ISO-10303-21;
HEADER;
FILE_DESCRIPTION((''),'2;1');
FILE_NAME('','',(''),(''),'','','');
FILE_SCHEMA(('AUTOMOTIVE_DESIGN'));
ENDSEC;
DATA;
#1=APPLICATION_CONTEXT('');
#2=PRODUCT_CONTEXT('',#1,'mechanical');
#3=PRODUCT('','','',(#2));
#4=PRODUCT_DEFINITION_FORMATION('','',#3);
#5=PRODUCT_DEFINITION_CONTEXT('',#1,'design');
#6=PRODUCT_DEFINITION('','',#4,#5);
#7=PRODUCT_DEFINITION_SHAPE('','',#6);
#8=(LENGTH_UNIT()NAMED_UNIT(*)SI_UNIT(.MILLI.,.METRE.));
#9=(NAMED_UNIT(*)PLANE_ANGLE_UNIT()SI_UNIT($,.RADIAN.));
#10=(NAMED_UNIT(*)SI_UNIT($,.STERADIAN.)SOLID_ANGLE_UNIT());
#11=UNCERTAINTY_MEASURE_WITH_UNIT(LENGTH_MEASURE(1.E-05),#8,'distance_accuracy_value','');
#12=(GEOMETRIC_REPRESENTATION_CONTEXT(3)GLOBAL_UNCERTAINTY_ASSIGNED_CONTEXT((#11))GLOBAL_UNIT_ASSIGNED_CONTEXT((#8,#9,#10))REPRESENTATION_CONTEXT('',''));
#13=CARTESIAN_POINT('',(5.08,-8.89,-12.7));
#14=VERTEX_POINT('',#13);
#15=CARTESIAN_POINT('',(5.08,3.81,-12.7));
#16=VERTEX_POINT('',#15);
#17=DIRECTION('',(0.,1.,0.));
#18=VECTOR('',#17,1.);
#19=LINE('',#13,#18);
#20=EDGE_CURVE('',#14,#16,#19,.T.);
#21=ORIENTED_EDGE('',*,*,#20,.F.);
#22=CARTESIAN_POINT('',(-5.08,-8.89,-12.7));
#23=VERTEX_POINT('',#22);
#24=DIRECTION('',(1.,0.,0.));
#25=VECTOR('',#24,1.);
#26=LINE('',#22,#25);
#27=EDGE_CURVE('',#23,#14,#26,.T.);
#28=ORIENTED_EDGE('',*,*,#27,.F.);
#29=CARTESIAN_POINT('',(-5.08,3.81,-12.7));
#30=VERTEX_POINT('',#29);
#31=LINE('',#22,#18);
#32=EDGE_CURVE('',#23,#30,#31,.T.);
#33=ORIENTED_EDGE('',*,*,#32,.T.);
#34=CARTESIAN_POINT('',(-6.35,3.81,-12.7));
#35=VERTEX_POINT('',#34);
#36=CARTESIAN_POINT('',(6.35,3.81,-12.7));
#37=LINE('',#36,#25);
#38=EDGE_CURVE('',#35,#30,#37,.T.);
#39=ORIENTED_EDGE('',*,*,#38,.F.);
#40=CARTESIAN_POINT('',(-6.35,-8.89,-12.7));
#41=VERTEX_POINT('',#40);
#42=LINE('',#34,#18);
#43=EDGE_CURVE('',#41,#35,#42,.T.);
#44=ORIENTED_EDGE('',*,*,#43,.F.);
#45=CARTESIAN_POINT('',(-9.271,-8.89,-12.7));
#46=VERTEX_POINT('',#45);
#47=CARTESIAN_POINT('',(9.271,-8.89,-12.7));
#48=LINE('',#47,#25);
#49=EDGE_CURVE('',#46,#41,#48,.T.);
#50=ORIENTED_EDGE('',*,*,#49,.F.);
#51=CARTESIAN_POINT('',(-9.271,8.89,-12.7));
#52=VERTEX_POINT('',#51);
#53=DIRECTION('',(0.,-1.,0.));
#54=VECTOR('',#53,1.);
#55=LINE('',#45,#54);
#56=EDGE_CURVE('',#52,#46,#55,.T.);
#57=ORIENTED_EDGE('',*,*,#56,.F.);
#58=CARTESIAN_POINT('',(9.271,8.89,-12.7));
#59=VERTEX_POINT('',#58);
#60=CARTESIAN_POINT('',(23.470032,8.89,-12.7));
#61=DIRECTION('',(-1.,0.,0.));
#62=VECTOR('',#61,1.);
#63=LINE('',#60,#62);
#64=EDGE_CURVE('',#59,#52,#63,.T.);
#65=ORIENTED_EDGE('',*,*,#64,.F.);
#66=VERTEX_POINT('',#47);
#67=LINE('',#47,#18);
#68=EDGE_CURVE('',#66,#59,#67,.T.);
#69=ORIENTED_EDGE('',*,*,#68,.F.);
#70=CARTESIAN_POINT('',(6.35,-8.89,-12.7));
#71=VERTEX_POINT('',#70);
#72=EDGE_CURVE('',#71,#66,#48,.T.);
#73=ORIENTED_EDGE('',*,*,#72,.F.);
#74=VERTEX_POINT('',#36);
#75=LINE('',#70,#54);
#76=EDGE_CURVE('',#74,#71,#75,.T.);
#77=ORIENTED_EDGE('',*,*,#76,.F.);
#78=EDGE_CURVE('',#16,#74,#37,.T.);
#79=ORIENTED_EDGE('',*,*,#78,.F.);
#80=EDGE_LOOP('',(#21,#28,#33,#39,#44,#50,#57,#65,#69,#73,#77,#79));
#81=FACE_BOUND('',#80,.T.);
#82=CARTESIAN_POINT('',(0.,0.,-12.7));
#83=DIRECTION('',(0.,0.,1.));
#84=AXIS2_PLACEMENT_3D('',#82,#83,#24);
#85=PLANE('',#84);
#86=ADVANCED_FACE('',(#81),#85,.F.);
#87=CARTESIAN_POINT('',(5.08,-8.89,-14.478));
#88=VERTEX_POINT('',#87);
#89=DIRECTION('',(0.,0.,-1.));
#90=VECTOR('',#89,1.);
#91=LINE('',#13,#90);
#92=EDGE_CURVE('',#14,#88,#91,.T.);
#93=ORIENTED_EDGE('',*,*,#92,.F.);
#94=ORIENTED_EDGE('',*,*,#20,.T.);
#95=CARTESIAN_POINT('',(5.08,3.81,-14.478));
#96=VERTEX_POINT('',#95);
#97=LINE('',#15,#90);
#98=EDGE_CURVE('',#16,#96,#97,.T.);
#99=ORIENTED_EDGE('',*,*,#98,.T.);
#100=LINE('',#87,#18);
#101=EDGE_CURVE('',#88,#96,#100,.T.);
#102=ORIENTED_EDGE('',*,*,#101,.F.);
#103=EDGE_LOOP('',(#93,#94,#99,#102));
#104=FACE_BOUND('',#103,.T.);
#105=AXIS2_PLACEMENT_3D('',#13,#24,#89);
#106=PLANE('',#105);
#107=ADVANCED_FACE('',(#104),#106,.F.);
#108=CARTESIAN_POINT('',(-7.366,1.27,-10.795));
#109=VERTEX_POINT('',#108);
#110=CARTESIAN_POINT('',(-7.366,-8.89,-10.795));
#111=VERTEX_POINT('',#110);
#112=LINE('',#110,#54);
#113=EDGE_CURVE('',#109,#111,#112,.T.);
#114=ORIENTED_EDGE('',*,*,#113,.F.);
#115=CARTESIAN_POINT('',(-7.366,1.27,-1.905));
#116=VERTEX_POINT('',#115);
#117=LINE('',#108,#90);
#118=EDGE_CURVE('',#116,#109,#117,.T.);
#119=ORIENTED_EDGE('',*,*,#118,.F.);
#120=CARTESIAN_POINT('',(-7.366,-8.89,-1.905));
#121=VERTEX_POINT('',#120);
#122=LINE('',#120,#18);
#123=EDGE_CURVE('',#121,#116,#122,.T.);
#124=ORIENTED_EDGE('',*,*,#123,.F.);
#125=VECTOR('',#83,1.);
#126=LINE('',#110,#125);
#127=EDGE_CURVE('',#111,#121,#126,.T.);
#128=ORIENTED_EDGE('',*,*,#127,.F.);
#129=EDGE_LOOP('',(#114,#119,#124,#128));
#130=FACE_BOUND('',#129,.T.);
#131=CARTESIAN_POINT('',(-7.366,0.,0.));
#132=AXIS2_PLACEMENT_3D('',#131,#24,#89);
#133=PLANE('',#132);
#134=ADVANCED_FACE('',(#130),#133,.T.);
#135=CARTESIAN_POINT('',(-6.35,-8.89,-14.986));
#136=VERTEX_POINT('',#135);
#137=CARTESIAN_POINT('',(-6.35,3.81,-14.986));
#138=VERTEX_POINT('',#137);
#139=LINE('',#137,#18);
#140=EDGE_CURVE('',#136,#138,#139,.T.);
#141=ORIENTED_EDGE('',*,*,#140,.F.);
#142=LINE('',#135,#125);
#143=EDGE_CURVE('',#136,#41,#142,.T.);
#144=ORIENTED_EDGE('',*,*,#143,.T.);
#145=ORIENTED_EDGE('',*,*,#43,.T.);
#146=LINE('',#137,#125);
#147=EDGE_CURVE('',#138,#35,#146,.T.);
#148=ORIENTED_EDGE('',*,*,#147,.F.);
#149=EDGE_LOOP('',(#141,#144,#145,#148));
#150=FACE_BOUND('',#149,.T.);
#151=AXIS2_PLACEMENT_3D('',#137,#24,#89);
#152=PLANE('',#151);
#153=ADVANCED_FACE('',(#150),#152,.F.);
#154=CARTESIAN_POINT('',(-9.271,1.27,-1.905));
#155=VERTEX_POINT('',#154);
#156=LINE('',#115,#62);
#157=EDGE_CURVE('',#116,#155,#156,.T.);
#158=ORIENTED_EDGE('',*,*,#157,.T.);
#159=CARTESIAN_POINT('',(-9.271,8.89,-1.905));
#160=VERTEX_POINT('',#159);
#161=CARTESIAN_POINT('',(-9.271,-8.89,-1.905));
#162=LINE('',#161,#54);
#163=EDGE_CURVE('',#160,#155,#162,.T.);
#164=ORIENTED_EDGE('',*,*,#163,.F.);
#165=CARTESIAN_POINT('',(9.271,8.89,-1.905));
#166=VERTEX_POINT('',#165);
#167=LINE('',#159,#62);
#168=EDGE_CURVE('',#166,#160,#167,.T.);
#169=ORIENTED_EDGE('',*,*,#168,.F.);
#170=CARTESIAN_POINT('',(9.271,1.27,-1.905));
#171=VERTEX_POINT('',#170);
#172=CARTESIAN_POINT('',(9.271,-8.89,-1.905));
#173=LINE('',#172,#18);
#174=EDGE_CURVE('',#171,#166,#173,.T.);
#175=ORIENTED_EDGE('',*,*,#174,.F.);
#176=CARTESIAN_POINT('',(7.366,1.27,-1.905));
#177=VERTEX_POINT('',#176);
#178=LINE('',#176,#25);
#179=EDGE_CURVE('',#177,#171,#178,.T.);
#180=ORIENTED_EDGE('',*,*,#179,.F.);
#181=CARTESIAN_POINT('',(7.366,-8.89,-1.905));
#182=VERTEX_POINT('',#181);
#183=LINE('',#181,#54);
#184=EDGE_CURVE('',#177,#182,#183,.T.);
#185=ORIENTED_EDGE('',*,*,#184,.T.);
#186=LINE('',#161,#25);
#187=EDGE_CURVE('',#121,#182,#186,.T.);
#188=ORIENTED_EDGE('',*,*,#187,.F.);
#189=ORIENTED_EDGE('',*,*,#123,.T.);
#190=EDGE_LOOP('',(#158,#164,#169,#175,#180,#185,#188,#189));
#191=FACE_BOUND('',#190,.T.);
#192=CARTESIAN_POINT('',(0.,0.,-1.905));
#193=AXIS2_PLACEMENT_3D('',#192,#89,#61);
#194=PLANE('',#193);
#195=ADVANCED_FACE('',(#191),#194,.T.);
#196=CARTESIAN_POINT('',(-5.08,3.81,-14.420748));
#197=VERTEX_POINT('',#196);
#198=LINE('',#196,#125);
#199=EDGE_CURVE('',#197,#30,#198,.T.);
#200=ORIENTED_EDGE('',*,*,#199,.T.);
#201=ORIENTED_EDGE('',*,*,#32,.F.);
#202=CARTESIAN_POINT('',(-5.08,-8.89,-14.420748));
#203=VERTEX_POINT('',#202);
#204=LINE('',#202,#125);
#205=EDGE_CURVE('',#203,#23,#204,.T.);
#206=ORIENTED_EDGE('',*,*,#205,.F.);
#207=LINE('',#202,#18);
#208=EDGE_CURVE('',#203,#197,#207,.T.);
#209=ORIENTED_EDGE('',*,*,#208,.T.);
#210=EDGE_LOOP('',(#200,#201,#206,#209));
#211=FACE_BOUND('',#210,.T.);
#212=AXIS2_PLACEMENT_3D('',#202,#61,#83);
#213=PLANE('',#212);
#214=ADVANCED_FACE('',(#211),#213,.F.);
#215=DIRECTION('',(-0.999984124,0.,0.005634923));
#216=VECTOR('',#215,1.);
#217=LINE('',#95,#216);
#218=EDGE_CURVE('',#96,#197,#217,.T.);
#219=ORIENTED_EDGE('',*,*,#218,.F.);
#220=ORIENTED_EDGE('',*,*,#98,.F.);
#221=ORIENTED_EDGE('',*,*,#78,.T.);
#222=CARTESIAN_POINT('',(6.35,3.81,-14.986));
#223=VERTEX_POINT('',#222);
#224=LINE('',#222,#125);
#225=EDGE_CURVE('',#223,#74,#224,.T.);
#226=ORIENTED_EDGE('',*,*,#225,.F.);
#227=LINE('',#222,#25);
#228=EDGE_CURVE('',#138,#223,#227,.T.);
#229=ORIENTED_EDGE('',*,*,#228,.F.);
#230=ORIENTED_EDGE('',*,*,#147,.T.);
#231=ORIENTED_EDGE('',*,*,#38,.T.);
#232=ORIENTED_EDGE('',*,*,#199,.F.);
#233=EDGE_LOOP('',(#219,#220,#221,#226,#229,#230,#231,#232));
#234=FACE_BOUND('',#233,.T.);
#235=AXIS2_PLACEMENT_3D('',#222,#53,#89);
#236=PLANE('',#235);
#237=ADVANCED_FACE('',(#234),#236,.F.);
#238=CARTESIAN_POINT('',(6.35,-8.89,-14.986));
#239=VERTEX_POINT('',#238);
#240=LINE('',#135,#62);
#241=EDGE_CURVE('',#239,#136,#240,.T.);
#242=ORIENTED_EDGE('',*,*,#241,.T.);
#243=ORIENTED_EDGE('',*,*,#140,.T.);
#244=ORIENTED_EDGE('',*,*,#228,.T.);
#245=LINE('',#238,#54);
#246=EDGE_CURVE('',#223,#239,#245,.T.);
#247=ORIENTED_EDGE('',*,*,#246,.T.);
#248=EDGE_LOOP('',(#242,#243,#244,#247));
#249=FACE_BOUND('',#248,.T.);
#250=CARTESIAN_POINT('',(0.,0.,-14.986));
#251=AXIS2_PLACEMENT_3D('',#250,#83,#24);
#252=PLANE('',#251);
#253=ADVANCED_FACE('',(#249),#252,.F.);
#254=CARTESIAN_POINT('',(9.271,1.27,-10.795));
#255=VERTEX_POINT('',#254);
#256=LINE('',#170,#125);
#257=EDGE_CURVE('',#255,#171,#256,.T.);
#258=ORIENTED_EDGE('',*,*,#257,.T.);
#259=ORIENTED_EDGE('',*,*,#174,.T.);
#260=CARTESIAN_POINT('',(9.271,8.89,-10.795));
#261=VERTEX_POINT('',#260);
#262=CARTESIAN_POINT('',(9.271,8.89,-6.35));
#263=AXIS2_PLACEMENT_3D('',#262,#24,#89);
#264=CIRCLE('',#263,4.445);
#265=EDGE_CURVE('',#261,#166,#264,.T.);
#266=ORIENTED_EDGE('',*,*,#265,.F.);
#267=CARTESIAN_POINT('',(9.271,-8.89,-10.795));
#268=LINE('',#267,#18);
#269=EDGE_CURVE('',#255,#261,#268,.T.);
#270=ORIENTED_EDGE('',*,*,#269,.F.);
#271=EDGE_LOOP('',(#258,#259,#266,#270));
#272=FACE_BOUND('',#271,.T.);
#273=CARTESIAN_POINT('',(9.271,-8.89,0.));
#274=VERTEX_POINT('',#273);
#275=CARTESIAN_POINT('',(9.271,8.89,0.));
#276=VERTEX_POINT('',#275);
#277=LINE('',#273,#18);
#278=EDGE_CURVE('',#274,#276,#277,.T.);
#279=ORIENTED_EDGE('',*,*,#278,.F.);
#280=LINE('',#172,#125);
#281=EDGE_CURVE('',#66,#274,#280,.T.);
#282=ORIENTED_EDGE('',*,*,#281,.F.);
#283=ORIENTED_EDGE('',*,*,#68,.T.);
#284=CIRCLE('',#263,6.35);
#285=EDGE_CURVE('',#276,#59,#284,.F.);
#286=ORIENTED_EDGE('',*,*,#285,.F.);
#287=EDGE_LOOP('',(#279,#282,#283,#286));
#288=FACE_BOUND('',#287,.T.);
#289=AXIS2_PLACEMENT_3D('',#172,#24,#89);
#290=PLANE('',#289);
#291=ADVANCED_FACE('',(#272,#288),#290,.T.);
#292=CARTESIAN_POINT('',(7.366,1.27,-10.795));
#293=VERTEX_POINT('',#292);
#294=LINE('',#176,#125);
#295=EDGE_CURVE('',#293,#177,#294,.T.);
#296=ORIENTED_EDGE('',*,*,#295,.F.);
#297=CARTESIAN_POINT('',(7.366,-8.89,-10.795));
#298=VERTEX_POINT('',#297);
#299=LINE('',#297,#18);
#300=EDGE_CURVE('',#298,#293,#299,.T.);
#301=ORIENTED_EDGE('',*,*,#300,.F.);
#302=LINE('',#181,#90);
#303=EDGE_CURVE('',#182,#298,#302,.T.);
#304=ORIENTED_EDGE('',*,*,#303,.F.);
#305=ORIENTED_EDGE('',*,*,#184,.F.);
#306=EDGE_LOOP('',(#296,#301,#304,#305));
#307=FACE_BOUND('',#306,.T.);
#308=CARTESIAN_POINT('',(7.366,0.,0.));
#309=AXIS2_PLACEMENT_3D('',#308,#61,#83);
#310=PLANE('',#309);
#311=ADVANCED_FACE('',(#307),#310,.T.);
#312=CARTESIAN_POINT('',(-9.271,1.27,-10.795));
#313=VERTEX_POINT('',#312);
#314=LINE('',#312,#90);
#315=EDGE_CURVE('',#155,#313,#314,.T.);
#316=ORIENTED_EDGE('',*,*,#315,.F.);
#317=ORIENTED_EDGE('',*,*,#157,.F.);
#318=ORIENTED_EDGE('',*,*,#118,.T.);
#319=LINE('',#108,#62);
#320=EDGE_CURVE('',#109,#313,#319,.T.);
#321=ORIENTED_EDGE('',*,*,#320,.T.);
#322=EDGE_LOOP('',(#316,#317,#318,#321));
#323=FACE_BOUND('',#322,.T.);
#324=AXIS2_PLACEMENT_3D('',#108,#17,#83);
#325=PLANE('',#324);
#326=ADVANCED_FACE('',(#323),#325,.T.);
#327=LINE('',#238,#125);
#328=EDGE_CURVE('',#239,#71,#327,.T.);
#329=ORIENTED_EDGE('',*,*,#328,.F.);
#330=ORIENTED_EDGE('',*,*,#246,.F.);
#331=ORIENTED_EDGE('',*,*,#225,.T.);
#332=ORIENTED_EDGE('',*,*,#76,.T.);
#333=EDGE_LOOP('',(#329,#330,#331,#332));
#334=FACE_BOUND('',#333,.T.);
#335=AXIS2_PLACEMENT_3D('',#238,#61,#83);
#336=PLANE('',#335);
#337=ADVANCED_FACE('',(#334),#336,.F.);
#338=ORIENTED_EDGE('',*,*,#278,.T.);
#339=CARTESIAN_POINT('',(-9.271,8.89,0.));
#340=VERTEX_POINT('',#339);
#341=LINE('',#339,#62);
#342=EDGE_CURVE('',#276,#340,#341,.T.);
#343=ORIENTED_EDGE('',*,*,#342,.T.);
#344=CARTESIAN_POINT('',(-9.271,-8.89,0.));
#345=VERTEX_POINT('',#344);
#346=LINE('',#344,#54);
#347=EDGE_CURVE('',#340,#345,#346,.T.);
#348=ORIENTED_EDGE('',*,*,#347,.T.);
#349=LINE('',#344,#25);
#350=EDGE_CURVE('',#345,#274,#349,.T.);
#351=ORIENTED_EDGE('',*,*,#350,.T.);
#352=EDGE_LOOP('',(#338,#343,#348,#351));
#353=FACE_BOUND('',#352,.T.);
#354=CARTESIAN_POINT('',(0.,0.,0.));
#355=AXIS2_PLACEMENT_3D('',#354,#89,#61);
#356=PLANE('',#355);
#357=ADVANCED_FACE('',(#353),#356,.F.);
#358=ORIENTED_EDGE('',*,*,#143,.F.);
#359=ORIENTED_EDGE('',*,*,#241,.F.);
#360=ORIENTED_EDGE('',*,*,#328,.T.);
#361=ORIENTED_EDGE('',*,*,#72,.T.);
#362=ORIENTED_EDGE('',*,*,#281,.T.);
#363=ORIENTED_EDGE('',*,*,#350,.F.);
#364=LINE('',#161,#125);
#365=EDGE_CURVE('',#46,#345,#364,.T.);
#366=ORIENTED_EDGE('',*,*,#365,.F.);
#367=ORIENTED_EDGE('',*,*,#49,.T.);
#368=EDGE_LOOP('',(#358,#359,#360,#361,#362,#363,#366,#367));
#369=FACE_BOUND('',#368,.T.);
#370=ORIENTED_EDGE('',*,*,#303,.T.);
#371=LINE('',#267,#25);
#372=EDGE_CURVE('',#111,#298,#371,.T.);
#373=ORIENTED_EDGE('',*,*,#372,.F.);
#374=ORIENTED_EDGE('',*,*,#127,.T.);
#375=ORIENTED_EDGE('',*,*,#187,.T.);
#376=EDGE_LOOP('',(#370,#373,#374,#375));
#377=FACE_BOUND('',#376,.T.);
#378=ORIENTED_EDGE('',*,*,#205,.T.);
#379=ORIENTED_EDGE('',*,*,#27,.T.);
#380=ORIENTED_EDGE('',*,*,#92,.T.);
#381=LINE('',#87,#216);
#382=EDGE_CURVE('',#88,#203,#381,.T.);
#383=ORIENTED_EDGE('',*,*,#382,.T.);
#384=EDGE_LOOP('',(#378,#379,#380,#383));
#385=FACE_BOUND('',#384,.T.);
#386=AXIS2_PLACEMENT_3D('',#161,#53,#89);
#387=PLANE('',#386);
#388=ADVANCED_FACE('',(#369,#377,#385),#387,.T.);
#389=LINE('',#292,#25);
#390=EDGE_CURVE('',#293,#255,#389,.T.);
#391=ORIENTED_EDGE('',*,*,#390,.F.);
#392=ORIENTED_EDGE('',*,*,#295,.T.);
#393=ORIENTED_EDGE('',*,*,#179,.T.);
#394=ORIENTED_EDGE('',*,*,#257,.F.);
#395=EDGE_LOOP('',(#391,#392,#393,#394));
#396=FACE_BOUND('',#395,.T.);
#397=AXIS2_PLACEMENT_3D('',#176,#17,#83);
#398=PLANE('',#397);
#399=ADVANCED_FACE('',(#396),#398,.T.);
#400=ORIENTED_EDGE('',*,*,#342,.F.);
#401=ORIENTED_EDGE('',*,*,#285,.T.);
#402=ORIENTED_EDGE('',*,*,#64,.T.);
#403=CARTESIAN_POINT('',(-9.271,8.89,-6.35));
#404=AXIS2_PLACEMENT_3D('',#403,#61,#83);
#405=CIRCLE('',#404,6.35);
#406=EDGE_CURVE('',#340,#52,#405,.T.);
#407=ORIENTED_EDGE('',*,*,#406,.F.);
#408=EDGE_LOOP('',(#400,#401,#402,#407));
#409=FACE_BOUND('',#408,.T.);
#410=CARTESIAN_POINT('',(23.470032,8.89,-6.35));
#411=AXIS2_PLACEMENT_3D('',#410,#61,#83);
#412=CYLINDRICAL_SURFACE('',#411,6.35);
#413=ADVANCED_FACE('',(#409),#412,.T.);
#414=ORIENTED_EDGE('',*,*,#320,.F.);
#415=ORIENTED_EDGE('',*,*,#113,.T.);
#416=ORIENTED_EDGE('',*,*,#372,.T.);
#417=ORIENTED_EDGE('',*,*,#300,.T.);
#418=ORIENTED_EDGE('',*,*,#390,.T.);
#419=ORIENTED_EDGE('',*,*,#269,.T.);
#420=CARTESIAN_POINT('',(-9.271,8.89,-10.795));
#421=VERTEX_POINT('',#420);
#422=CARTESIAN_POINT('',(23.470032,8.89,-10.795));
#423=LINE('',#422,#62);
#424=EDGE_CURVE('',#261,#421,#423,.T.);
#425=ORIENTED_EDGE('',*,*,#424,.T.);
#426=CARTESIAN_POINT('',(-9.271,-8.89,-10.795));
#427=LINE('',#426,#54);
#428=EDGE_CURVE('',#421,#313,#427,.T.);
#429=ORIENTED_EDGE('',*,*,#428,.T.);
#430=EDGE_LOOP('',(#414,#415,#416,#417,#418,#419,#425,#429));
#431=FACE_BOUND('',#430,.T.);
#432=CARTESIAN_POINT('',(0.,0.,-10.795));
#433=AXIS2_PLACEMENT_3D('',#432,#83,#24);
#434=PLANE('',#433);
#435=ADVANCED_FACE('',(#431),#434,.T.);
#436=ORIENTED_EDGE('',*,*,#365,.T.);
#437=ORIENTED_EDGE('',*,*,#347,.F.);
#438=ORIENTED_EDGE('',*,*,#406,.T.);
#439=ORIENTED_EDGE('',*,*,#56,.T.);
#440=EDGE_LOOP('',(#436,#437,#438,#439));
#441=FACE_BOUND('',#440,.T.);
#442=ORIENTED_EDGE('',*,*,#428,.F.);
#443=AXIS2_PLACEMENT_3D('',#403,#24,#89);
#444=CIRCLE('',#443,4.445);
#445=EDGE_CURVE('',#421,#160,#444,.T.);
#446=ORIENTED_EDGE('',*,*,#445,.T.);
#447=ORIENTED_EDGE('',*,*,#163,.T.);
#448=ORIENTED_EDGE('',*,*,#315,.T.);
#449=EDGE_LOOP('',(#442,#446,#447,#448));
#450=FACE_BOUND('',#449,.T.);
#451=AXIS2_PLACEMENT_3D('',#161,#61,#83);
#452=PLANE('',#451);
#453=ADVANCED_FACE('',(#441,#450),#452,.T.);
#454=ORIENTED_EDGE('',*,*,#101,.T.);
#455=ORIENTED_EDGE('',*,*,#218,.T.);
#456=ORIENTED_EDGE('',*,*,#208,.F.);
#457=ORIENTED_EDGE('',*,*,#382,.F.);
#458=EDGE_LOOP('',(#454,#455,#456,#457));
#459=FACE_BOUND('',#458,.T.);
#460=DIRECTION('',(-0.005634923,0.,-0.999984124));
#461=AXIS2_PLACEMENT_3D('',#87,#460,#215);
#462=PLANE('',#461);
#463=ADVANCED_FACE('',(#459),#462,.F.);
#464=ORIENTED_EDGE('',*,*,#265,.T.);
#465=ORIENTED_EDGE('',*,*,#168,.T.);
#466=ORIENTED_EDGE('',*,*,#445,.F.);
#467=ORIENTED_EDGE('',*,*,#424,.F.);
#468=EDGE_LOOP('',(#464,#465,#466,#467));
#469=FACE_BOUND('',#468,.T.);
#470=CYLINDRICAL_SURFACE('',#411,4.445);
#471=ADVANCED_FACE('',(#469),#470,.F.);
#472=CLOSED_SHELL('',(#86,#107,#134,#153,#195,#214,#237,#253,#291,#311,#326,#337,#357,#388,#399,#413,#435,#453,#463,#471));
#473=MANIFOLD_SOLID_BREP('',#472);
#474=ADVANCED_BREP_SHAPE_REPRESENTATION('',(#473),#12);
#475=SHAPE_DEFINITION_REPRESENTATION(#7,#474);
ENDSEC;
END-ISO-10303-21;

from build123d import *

# Parameters (mm, degrees)
SKETCH1_W            = 18.542
SKETCH1_H            = 17.78
BOSS_EXTRUDE4_DEPTH  = 1.905
SKETCH4_W            = 18.542
SKETCH4_H            = 17.78
BOSS_EXTRUDE5_DEPTH  = 1.905
BOSS_EXTRUDE6_DEPTH  = 18.542
SKETCH7_W            = 8.89
SKETCH7_H            = 10.16
BOSS_EXTRUDE7_DEPTH  = 1.905
SKETCH8_W            = 8.89
SKETCH8_H            = 10.16
BOSS_EXTRUDE8_DEPTH  = 1.905
SKETCH12_W           = 12.7
SKETCH12_H           = 12.7
BOSS_EXTRUDE11_DEPTH = 2.286
CUT_EXTRUDE2_DEPTH   = 22.721455683


with BuildPart() as part:
    # Sketch1 → Boss-Extrude4 (new body)
    with BuildSketch(Plane.XY):
        Rectangle(SKETCH1_W, SKETCH1_H)
    extrude(amount=-BOSS_EXTRUDE4_DEPTH)



with BuildPart() as body_2:
    # Sketch4 → Boss-Extrude5 (new body)
    with BuildSketch(Plane.XY.offset(-12.7)):
        Rectangle(SKETCH4_W, SKETCH4_H)
    extrude(amount=BOSS_EXTRUDE5_DEPTH)


with BuildPart() as part_1:
    add(part.part)

    add(body_2.part)  # Boss-Extrude6 merges body 2
    # Sketch6 → Boss-Extrude6 (add)
    with BuildSketch(Plane.ZY.offset(9.271)):
        with BuildLine():
            Line((-12.7, 8.89), (-10.795, 8.89))
            ThreePointArc((-10.795, 8.89), (-6.35, 13.335), (-1.905, 8.89))
            Line((-1.905, 8.89), (0, 8.89))
            ThreePointArc((0, 8.89), (-6.35, 15.24), (-12.7, 8.89))
        make_face()
    extrude(amount=-BOSS_EXTRUDE6_DEPTH)

    # Sketch7 → Boss-Extrude7 (add)
    with BuildSketch(Plane.ZY.offset(9.271)):
        with Locations((-6.35, -3.81)):
            Rectangle(SKETCH7_W, SKETCH7_H)
    extrude(amount=-BOSS_EXTRUDE7_DEPTH)

    # Sketch8 → Boss-Extrude8 (add)
    with BuildSketch(Plane(origin=(9.271, 0, 0), x_dir=(0, 0, -1), z_dir=(1, 0, 0))):
        with Locations((6.35, -3.81)):
            Rectangle(SKETCH8_W, SKETCH8_H)
    extrude(amount=-BOSS_EXTRUDE8_DEPTH)

    # Sketch12 → Boss-Extrude11 (add)
    with BuildSketch(Plane(origin=(0, 0, -12.7), x_dir=(-1, 0, 0), z_dir=(0, 0, -1))):
        with Locations((0, -2.54)):
            Rectangle(SKETCH12_W, SKETCH12_H)
    extrude(amount=BOSS_EXTRUDE11_DEPTH)

    # Sketch13 → Cut-Extrude2 (cut, through all)
    with BuildSketch(Plane(origin=(0, 3.81, 0), x_dir=(1, 0, 0), z_dir=(0, 1, 0))):
        Polygon((-5.08, 12.7), (5.08, 12.7), (5.08, 14.478), (-5.08, 14.420748278), align=None)
    extrude(amount=-CUT_EXTRUDE2_DEPTH, mode=Mode.SUBTRACT)


solid = part_1.part
